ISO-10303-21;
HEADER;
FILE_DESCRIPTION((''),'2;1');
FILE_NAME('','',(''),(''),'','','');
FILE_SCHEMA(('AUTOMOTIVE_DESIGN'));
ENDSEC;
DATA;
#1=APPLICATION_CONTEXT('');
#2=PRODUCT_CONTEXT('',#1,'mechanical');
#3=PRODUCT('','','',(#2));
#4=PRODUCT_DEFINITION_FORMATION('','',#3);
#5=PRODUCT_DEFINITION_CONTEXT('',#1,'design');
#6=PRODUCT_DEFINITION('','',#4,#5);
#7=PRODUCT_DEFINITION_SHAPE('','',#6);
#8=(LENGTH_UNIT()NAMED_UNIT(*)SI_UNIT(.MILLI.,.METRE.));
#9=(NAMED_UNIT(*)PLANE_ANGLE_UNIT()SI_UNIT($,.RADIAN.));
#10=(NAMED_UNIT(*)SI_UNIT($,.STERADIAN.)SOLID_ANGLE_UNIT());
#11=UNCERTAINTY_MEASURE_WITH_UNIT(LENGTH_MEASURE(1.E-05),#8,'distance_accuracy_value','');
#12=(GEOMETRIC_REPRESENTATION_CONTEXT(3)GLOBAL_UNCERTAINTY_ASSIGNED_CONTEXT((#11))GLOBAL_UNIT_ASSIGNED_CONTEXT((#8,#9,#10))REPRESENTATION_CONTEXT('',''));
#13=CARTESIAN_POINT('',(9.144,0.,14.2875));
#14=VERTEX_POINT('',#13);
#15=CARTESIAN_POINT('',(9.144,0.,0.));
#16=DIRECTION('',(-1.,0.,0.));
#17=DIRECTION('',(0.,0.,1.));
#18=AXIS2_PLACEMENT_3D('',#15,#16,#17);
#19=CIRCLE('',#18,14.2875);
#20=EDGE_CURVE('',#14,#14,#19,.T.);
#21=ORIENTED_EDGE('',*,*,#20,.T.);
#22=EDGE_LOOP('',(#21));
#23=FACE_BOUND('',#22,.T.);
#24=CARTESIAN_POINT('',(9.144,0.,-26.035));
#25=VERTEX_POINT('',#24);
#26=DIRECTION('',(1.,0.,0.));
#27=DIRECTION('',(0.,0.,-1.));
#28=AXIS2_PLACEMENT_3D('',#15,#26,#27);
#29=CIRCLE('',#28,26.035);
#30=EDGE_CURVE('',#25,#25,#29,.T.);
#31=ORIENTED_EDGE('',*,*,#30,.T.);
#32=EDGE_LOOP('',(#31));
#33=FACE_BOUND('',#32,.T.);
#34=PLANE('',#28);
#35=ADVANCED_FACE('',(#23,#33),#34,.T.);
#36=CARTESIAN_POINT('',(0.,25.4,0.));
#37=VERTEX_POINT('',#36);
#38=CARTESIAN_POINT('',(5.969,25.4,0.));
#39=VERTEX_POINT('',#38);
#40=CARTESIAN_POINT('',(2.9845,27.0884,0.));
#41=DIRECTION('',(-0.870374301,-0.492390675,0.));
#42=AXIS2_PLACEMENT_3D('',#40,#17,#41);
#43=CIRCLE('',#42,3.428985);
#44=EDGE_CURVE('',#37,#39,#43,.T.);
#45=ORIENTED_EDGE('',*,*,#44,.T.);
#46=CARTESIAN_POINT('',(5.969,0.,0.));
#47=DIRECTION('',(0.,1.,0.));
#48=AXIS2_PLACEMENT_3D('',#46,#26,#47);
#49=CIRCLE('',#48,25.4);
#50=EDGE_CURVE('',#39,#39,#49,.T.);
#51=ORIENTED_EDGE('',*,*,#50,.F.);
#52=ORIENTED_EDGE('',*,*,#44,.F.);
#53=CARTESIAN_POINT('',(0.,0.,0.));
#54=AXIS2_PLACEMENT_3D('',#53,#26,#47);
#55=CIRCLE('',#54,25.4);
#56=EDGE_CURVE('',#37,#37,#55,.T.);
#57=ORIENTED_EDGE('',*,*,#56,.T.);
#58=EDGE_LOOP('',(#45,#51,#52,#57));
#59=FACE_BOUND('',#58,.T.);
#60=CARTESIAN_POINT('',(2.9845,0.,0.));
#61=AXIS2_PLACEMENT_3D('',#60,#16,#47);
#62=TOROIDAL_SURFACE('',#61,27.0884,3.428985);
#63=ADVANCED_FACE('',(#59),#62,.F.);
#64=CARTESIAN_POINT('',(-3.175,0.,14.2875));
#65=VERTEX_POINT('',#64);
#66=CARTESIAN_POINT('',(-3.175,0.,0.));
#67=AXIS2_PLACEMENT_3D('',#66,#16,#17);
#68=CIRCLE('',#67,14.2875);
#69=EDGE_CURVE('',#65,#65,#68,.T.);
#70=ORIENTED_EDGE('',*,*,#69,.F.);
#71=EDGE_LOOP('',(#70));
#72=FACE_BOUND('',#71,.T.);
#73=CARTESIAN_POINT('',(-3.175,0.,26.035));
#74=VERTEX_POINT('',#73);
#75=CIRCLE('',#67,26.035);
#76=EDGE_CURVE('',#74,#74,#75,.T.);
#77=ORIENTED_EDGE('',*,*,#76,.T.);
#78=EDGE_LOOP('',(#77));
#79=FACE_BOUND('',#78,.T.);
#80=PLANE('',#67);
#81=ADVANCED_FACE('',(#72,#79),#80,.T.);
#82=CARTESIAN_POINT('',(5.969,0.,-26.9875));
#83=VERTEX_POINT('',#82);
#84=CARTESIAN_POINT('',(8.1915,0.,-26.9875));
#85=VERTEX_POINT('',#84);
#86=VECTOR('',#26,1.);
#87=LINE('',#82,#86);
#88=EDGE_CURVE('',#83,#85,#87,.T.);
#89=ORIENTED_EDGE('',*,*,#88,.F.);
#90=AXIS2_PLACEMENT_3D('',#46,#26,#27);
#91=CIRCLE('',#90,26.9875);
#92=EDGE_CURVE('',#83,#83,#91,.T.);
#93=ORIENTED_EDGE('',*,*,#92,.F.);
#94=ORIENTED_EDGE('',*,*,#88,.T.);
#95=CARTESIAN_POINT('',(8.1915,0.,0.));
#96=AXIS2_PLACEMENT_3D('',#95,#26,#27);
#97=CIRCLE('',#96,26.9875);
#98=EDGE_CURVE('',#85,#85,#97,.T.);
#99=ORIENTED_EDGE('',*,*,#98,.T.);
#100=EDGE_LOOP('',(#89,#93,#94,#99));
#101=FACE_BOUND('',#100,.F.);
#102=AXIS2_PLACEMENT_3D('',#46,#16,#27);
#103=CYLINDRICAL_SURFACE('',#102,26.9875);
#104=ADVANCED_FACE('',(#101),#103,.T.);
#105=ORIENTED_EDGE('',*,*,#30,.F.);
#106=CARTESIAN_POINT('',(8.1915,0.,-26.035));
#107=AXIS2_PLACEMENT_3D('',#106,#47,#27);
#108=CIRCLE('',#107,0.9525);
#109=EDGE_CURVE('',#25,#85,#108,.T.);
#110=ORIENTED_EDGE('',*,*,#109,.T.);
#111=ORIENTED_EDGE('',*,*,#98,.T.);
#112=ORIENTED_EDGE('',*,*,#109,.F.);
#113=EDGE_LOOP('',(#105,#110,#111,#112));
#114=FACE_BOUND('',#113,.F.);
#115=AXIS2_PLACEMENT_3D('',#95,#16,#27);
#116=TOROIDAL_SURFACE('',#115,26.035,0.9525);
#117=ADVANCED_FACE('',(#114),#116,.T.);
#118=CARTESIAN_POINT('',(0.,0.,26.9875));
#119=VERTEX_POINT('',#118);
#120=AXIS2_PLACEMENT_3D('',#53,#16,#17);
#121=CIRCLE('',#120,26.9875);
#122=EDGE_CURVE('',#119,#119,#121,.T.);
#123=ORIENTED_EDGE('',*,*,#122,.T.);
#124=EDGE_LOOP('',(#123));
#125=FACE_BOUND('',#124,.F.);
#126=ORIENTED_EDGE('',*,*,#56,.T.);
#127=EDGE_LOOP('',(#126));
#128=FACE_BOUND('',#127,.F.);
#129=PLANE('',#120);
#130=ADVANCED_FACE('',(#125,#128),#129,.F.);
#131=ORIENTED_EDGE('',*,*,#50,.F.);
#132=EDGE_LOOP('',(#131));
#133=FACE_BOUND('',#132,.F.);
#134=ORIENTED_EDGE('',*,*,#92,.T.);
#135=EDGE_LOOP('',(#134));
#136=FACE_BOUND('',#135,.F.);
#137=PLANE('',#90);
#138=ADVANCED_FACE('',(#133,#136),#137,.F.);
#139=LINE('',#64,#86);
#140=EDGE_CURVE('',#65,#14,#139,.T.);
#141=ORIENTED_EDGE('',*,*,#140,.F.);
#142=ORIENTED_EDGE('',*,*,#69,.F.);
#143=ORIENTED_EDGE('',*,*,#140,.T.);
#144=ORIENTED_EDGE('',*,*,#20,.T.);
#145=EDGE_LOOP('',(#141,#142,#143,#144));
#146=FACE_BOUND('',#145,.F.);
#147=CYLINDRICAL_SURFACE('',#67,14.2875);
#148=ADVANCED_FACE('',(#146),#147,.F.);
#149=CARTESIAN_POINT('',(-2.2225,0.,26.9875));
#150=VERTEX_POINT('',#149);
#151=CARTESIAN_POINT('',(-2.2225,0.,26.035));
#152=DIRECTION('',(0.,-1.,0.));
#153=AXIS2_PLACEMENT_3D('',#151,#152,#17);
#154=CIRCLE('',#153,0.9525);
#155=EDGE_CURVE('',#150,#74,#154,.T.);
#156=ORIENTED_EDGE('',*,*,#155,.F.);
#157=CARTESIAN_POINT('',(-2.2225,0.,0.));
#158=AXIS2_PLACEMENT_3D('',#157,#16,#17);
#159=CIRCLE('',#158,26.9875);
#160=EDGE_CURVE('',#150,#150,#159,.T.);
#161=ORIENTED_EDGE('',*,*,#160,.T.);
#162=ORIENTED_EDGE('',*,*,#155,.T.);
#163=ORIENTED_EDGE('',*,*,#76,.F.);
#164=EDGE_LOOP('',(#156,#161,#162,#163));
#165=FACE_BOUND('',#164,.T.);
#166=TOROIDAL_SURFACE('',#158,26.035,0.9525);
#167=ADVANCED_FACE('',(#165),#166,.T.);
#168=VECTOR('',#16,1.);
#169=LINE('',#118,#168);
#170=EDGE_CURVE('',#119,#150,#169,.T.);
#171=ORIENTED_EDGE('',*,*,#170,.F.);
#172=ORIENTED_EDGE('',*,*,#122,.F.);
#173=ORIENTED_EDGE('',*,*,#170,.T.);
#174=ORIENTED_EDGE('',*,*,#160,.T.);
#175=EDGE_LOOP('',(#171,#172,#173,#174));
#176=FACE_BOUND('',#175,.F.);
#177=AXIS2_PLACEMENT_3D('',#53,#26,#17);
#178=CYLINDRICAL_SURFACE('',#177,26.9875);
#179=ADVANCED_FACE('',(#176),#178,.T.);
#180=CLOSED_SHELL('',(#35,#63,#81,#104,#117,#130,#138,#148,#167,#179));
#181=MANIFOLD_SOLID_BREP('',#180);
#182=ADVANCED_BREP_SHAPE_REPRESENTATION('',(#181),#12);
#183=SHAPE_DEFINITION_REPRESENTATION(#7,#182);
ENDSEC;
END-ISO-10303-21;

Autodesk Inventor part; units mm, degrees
ref_plane "YZ Plane" through (0, 0, 0) normal (1, 0, 0) x (0, 1, 0)
ref_plane "XZ Plane" through (0, 0, 0) normal (0, 1, 0) x (-1, 0, 0)
ref_plane "XY Plane" through (0, 0, 0) normal (0, 0, 1) x (1, 0, 0)
sketch "Sketch1" plane through (0, 0, 0) normal (0, 0, 1) x (1, 0, 0)
  line L0 (0, 0) -> (0, 25.4)
  line L1 (0, 0) -> (5.969, 0)
  line L2 (5.969, 0) -> (5.969, 25.4)
  arc A0 (0, 25.4) -> (5.969, 25.4) centre (2.9845, 27.0884) ccw
  dimension "d0" = 3.429
  dimension "d1" = 25.4
  dimension "d2" = 5.969
revolve "Revolution1" add sketch "Sketch1" angle 360 about axis through (0, 0, 0) along (1, 0, 0)
sketch "Sketch2" plane through (5.969, 0, 0) normal (1, 0, 0) x (0, 0, -1)
  circle A0 centre (0, 0) radius 26.9875
  dimension "d4" = 53.975
extrude "Extrusion1" add sketch "Sketch2" along normal blind 3.175
sketch "Sketch3" plane through (0, 0, 0) normal (-1, 0, 0) x (0, 0, 1)
  circle A0 centre (0, 0) radius 26.9875
  dimension "d7" = 53.975
extrude "Extrusion2" add sketch "Sketch3" along normal blind 3.175
sketch "Sketch4" plane through (-3.175, 0, 0) normal (-1, 0, 0) x (0, 0, 1)
  circle A0 centre (0, 0) radius 14.2875
  dimension "d10" = 28.575
extrude "Extrusion3" cut sketch "Sketch4" against normal through all
fillet "Fillet1" radius 0.9525 2 edges at (-3.175, 0, -26.9875) (9.144, 0, 26.9875)
properties part number "1 1_8 Bore Pollycord Pully" material "ABS Plastic"
